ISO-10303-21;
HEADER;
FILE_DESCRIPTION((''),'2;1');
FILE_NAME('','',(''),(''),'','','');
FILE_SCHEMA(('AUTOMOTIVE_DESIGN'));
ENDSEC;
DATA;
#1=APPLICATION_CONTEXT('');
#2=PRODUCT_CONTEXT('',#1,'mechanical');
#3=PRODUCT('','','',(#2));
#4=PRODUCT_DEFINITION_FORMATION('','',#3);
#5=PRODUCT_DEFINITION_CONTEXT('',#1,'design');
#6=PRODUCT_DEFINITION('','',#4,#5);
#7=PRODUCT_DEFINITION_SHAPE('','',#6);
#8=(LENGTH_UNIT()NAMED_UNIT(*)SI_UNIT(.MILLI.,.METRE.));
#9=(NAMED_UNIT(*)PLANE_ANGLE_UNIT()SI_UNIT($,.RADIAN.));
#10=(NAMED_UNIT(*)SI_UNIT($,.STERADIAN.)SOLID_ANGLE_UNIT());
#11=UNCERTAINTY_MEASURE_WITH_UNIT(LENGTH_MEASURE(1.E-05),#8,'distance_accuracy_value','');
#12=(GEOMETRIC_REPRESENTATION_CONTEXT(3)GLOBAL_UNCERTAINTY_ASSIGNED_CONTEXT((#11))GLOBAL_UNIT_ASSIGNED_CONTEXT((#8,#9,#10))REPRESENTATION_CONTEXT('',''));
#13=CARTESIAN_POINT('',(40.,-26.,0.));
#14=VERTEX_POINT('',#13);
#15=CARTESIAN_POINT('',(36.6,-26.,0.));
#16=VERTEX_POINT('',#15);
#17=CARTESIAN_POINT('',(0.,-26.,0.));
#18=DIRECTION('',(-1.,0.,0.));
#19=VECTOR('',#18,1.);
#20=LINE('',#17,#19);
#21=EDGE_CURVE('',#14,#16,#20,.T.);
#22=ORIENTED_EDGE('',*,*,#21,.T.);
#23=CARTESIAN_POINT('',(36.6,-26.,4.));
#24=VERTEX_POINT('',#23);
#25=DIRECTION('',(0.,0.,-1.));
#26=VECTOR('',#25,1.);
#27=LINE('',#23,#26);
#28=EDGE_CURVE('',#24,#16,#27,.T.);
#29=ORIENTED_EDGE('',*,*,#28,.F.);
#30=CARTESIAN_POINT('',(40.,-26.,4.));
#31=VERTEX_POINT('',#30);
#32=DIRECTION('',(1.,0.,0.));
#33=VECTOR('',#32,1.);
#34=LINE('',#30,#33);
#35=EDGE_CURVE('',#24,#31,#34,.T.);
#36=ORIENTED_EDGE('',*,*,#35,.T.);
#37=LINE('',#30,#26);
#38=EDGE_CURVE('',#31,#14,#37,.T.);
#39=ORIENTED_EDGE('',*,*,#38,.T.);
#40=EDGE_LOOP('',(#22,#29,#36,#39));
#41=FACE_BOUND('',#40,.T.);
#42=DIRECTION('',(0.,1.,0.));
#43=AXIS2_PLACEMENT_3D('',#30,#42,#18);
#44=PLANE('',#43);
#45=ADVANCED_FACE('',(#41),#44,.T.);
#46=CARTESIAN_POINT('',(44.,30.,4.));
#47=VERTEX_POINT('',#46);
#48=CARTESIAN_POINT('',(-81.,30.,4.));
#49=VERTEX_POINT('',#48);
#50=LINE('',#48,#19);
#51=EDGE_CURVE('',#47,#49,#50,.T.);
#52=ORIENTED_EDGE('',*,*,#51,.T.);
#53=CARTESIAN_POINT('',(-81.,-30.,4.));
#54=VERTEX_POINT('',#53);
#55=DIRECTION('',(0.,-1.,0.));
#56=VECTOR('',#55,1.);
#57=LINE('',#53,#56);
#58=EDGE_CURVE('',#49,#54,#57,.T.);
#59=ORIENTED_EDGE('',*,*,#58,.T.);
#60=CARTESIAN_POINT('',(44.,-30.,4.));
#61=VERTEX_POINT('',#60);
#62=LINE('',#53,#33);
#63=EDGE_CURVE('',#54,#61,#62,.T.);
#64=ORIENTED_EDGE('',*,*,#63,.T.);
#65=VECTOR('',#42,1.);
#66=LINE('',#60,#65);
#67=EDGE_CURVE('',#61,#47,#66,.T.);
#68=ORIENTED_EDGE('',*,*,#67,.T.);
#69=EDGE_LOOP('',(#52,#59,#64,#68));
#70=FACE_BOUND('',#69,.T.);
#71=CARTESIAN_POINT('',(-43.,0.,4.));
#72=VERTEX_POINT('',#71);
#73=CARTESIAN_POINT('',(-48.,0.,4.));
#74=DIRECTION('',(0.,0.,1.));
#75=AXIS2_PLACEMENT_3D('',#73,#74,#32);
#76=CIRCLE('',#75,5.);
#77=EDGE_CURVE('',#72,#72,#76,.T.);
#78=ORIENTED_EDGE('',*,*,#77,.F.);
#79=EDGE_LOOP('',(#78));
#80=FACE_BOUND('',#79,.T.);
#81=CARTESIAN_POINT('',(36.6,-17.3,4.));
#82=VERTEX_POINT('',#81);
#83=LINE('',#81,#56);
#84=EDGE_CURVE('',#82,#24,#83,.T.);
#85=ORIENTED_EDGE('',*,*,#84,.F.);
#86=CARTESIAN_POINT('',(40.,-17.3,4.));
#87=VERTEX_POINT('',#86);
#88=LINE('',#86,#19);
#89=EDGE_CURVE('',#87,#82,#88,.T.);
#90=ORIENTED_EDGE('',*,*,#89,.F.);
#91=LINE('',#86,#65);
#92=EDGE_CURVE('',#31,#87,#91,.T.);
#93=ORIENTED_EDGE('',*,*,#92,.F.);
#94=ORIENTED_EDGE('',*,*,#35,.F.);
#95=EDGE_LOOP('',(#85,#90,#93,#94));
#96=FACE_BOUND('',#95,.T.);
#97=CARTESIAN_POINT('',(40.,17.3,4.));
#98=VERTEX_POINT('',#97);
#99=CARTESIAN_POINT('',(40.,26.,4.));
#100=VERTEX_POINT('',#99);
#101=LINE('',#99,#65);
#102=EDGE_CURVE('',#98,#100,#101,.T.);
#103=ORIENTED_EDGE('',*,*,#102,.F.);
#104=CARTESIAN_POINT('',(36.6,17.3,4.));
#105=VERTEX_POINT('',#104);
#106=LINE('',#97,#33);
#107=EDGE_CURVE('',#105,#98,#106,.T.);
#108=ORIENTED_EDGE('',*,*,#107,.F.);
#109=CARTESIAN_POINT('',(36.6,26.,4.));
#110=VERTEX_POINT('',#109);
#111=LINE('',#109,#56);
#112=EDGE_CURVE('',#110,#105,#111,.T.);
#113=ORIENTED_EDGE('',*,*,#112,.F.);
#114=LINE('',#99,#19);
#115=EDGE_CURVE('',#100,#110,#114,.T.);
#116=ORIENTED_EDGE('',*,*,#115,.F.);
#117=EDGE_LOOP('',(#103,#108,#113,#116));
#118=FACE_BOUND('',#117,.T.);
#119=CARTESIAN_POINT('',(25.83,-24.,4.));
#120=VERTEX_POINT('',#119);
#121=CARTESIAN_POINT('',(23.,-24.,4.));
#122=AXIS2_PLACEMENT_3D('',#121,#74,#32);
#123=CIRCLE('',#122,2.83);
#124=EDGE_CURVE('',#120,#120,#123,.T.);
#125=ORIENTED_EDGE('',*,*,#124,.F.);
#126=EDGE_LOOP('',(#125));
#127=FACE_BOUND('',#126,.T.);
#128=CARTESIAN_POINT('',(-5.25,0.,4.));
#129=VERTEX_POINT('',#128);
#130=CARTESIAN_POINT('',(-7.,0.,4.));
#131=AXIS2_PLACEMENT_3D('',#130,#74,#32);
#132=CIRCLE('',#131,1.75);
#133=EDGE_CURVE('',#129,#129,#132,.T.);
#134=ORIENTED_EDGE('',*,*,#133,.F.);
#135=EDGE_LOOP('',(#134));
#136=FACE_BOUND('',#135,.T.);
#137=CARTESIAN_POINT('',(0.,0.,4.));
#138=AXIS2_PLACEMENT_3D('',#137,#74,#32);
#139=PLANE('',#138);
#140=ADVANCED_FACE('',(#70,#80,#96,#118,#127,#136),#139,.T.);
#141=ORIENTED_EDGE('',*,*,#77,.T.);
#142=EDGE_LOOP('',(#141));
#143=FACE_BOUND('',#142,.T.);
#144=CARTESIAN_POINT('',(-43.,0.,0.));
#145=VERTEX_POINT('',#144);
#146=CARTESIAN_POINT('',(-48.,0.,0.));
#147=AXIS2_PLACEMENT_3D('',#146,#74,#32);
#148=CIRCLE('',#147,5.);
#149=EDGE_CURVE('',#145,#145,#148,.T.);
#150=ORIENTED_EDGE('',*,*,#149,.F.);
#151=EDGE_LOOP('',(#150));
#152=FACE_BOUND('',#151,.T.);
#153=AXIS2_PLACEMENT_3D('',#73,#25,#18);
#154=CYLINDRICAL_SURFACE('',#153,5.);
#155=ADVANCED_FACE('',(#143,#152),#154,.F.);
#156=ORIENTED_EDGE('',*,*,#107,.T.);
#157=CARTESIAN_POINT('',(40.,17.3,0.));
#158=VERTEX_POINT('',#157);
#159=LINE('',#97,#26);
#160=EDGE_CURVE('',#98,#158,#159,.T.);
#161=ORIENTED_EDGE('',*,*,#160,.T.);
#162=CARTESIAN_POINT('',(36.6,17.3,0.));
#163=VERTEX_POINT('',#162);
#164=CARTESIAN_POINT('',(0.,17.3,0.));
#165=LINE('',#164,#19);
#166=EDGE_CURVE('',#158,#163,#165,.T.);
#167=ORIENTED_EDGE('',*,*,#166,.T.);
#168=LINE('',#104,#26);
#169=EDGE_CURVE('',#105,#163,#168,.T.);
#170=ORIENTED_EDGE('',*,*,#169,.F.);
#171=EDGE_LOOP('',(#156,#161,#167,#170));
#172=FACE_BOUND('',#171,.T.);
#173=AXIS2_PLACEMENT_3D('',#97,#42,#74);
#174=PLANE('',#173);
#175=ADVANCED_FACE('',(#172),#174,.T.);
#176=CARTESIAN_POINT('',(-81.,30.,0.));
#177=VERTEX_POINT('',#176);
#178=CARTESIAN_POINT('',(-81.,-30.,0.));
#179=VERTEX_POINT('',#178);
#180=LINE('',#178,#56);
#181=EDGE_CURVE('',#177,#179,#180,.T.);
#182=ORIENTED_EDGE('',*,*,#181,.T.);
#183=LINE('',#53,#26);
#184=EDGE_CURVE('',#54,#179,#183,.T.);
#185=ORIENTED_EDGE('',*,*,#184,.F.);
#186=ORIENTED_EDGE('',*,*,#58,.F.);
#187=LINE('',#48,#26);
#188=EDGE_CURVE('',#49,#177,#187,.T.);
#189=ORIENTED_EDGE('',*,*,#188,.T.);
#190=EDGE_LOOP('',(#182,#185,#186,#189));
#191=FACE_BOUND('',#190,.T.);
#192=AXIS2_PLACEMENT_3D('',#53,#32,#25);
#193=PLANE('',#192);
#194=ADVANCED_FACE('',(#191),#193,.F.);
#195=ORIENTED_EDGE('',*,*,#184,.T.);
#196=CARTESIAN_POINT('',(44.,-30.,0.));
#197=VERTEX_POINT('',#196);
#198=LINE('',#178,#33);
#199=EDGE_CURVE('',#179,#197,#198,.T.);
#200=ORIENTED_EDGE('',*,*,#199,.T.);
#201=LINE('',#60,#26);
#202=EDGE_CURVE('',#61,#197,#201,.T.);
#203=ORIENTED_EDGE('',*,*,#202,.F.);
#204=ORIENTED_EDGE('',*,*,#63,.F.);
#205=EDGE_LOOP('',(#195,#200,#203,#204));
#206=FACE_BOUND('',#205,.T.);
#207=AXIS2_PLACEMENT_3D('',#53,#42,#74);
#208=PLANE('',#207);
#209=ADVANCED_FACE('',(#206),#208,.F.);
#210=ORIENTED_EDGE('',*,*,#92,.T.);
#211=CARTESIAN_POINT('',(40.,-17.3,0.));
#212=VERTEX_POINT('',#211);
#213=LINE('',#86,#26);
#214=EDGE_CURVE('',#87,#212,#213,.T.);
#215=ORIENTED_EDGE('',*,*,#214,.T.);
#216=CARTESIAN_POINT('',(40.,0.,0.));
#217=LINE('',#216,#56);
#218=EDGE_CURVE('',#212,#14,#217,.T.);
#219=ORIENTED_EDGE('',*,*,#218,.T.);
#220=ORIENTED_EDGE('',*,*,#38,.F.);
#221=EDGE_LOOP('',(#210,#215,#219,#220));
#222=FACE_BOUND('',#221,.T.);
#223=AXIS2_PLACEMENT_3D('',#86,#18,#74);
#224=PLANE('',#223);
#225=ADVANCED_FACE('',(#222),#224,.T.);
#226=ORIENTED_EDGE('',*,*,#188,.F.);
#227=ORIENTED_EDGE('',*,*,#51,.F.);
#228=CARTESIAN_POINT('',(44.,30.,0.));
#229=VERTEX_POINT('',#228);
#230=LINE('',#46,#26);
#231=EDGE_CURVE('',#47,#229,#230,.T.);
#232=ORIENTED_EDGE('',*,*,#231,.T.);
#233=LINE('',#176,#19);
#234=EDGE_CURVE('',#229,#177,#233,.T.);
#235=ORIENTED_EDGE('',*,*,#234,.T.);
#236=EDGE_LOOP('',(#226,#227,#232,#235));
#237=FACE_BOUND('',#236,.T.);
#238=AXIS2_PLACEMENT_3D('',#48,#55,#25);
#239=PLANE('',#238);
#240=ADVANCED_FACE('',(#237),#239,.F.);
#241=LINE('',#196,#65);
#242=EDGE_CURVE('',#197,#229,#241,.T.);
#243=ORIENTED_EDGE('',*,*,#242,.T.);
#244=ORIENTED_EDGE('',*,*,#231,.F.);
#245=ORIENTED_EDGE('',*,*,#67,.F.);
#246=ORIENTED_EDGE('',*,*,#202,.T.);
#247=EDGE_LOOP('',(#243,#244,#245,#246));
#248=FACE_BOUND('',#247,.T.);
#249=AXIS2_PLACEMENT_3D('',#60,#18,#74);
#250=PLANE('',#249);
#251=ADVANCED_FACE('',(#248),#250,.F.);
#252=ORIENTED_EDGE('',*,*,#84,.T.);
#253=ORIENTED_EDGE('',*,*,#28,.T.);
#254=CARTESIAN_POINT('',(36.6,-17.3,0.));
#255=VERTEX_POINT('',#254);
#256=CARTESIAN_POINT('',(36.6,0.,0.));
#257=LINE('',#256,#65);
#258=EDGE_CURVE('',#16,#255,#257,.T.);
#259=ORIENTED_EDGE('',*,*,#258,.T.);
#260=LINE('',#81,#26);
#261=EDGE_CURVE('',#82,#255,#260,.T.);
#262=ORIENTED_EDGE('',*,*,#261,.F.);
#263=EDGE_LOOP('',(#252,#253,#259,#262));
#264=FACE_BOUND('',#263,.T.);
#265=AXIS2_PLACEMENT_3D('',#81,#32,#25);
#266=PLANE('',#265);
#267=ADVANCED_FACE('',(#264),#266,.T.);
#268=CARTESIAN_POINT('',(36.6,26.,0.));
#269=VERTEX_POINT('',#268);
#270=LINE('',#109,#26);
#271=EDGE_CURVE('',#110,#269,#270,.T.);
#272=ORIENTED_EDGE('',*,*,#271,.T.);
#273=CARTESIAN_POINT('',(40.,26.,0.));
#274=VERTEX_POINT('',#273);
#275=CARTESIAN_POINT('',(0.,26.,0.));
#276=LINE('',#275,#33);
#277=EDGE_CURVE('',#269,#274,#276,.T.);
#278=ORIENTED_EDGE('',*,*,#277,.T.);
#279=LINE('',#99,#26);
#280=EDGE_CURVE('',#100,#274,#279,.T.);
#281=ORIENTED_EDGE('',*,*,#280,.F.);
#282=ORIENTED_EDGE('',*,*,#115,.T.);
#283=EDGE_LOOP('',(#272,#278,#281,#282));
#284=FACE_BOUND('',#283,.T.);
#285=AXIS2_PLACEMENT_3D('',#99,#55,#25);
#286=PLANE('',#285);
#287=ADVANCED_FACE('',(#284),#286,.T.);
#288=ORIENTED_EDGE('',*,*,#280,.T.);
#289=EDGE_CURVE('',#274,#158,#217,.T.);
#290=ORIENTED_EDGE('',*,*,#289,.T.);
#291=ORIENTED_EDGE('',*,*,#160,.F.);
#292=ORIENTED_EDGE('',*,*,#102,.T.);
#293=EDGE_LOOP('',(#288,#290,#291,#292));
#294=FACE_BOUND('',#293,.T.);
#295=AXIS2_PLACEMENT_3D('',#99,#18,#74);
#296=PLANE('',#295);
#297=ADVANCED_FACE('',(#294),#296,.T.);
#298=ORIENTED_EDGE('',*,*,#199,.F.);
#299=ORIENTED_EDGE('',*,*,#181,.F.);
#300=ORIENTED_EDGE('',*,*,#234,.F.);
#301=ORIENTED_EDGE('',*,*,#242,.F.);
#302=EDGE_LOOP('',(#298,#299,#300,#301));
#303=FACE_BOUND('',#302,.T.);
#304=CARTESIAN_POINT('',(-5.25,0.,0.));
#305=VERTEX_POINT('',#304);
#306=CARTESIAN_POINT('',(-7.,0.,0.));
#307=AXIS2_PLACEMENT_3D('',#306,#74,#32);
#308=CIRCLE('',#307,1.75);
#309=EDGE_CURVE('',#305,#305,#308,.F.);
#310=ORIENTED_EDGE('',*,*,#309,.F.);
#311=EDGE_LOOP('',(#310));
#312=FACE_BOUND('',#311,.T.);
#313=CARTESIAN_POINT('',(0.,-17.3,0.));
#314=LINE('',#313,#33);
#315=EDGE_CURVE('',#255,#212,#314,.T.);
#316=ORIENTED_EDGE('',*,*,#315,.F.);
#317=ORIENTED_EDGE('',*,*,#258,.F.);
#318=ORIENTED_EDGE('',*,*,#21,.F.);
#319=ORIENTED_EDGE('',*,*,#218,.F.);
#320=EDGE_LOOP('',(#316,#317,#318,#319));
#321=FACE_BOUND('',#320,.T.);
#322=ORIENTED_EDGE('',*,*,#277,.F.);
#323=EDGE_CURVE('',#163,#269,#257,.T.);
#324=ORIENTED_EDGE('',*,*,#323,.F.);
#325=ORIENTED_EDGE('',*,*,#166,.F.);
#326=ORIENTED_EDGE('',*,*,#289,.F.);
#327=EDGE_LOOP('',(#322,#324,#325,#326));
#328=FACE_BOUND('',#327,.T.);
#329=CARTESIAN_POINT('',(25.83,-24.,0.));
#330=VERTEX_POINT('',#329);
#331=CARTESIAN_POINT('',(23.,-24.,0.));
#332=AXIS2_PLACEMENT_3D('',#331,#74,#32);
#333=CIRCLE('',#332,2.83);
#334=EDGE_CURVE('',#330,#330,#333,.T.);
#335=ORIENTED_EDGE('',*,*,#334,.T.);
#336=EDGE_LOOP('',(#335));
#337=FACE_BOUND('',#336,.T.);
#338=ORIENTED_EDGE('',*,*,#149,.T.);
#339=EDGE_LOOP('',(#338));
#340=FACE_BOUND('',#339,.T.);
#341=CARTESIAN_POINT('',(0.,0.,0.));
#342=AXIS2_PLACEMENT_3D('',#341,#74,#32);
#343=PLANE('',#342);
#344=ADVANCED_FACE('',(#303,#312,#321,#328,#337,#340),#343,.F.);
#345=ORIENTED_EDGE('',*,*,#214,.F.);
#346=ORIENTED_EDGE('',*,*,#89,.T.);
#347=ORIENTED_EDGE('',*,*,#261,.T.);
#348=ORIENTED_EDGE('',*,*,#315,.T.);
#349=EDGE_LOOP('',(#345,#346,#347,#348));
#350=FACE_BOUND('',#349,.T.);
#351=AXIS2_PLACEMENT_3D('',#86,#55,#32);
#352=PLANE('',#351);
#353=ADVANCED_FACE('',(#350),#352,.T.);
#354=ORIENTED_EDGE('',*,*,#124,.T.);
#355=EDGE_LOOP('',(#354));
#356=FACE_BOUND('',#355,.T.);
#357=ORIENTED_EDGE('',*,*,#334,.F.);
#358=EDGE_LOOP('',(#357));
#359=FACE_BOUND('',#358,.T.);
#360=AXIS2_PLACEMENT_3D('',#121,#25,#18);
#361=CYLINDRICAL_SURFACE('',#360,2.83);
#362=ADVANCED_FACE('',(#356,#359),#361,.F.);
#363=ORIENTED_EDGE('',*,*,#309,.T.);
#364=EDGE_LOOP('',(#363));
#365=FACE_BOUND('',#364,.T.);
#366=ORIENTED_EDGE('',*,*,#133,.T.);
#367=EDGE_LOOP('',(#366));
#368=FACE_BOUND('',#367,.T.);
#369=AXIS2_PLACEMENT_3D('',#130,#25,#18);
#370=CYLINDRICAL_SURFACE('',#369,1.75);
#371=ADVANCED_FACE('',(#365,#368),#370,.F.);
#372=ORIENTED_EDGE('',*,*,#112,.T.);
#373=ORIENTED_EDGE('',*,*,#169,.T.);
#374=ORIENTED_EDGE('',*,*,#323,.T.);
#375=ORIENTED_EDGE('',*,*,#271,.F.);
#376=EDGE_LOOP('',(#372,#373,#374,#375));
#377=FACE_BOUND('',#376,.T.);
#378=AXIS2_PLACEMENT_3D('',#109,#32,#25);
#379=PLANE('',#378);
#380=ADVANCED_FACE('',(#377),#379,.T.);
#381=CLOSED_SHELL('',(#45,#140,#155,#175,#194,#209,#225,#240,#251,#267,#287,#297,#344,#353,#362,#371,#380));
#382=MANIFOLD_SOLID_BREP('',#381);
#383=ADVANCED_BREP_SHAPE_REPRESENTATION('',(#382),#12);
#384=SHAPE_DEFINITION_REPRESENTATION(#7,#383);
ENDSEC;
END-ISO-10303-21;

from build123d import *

# Parameters (mm, degrees)
SKETCH1_W               = 121
SKETCH1_H               = 60
SKETCH1_R               = 5
SKETCH1_R_2             = 2.83
BOSS_EXTRUDE1_DEPTH     = 4
SKETCH2_W               = 4
SKETCH2_H               = 60
BOSS_EXTRUDE2_DEPTH     = 4
CUT_EXTRUDE1_DEPTH      = 87.469647854
CUT_EXTRUDE1_DEPTH_BACK = 87.469647854
SKETCH3_R               = 1.75
SKETCH3_W               = 3.4
SKETCH3_H               = 8.7


with BuildPart() as part:
    # Sketch1 → Boss-Extrude1 (new body)
    with BuildSketch(Plane.XY):
        with Locations((-20.5, 0)):
            Rectangle(SKETCH1_W, SKETCH1_H)
        with Locations((-48, 0)):
            Circle(SKETCH1_R, mode=Mode.SUBTRACT)
        with Locations((23, -24)):
            Circle(SKETCH1_R_2, mode=Mode.SUBTRACT)
    extrude(amount=BOSS_EXTRUDE1_DEPTH)

    # Sketch2 → Boss-Extrude2 (add)
    with BuildSketch(Plane.XY):
        with Locations((42, 0)):
            Rectangle(SKETCH2_W, SKETCH2_H)
    extrude(amount=BOSS_EXTRUDE2_DEPTH)

    # Sketch3 → Cut-Extrude1 (cut, two sides: drawn at the far end of the back side and taken through both)
    with BuildSketch(Plane.XY.offset(-CUT_EXTRUDE1_DEPTH_BACK)):
        with Locations((-7, 0)):
            Circle(SKETCH3_R)
        with Locations((38.3, 21.65)):
            Rectangle(SKETCH3_W, SKETCH3_H)
        with Locations((38.3, -21.65)):
            Rectangle(SKETCH3_W, SKETCH3_H)
    extrude(amount=CUT_EXTRUDE1_DEPTH + CUT_EXTRUDE1_DEPTH_BACK, mode=Mode.SUBTRACT)


solid = part.part
